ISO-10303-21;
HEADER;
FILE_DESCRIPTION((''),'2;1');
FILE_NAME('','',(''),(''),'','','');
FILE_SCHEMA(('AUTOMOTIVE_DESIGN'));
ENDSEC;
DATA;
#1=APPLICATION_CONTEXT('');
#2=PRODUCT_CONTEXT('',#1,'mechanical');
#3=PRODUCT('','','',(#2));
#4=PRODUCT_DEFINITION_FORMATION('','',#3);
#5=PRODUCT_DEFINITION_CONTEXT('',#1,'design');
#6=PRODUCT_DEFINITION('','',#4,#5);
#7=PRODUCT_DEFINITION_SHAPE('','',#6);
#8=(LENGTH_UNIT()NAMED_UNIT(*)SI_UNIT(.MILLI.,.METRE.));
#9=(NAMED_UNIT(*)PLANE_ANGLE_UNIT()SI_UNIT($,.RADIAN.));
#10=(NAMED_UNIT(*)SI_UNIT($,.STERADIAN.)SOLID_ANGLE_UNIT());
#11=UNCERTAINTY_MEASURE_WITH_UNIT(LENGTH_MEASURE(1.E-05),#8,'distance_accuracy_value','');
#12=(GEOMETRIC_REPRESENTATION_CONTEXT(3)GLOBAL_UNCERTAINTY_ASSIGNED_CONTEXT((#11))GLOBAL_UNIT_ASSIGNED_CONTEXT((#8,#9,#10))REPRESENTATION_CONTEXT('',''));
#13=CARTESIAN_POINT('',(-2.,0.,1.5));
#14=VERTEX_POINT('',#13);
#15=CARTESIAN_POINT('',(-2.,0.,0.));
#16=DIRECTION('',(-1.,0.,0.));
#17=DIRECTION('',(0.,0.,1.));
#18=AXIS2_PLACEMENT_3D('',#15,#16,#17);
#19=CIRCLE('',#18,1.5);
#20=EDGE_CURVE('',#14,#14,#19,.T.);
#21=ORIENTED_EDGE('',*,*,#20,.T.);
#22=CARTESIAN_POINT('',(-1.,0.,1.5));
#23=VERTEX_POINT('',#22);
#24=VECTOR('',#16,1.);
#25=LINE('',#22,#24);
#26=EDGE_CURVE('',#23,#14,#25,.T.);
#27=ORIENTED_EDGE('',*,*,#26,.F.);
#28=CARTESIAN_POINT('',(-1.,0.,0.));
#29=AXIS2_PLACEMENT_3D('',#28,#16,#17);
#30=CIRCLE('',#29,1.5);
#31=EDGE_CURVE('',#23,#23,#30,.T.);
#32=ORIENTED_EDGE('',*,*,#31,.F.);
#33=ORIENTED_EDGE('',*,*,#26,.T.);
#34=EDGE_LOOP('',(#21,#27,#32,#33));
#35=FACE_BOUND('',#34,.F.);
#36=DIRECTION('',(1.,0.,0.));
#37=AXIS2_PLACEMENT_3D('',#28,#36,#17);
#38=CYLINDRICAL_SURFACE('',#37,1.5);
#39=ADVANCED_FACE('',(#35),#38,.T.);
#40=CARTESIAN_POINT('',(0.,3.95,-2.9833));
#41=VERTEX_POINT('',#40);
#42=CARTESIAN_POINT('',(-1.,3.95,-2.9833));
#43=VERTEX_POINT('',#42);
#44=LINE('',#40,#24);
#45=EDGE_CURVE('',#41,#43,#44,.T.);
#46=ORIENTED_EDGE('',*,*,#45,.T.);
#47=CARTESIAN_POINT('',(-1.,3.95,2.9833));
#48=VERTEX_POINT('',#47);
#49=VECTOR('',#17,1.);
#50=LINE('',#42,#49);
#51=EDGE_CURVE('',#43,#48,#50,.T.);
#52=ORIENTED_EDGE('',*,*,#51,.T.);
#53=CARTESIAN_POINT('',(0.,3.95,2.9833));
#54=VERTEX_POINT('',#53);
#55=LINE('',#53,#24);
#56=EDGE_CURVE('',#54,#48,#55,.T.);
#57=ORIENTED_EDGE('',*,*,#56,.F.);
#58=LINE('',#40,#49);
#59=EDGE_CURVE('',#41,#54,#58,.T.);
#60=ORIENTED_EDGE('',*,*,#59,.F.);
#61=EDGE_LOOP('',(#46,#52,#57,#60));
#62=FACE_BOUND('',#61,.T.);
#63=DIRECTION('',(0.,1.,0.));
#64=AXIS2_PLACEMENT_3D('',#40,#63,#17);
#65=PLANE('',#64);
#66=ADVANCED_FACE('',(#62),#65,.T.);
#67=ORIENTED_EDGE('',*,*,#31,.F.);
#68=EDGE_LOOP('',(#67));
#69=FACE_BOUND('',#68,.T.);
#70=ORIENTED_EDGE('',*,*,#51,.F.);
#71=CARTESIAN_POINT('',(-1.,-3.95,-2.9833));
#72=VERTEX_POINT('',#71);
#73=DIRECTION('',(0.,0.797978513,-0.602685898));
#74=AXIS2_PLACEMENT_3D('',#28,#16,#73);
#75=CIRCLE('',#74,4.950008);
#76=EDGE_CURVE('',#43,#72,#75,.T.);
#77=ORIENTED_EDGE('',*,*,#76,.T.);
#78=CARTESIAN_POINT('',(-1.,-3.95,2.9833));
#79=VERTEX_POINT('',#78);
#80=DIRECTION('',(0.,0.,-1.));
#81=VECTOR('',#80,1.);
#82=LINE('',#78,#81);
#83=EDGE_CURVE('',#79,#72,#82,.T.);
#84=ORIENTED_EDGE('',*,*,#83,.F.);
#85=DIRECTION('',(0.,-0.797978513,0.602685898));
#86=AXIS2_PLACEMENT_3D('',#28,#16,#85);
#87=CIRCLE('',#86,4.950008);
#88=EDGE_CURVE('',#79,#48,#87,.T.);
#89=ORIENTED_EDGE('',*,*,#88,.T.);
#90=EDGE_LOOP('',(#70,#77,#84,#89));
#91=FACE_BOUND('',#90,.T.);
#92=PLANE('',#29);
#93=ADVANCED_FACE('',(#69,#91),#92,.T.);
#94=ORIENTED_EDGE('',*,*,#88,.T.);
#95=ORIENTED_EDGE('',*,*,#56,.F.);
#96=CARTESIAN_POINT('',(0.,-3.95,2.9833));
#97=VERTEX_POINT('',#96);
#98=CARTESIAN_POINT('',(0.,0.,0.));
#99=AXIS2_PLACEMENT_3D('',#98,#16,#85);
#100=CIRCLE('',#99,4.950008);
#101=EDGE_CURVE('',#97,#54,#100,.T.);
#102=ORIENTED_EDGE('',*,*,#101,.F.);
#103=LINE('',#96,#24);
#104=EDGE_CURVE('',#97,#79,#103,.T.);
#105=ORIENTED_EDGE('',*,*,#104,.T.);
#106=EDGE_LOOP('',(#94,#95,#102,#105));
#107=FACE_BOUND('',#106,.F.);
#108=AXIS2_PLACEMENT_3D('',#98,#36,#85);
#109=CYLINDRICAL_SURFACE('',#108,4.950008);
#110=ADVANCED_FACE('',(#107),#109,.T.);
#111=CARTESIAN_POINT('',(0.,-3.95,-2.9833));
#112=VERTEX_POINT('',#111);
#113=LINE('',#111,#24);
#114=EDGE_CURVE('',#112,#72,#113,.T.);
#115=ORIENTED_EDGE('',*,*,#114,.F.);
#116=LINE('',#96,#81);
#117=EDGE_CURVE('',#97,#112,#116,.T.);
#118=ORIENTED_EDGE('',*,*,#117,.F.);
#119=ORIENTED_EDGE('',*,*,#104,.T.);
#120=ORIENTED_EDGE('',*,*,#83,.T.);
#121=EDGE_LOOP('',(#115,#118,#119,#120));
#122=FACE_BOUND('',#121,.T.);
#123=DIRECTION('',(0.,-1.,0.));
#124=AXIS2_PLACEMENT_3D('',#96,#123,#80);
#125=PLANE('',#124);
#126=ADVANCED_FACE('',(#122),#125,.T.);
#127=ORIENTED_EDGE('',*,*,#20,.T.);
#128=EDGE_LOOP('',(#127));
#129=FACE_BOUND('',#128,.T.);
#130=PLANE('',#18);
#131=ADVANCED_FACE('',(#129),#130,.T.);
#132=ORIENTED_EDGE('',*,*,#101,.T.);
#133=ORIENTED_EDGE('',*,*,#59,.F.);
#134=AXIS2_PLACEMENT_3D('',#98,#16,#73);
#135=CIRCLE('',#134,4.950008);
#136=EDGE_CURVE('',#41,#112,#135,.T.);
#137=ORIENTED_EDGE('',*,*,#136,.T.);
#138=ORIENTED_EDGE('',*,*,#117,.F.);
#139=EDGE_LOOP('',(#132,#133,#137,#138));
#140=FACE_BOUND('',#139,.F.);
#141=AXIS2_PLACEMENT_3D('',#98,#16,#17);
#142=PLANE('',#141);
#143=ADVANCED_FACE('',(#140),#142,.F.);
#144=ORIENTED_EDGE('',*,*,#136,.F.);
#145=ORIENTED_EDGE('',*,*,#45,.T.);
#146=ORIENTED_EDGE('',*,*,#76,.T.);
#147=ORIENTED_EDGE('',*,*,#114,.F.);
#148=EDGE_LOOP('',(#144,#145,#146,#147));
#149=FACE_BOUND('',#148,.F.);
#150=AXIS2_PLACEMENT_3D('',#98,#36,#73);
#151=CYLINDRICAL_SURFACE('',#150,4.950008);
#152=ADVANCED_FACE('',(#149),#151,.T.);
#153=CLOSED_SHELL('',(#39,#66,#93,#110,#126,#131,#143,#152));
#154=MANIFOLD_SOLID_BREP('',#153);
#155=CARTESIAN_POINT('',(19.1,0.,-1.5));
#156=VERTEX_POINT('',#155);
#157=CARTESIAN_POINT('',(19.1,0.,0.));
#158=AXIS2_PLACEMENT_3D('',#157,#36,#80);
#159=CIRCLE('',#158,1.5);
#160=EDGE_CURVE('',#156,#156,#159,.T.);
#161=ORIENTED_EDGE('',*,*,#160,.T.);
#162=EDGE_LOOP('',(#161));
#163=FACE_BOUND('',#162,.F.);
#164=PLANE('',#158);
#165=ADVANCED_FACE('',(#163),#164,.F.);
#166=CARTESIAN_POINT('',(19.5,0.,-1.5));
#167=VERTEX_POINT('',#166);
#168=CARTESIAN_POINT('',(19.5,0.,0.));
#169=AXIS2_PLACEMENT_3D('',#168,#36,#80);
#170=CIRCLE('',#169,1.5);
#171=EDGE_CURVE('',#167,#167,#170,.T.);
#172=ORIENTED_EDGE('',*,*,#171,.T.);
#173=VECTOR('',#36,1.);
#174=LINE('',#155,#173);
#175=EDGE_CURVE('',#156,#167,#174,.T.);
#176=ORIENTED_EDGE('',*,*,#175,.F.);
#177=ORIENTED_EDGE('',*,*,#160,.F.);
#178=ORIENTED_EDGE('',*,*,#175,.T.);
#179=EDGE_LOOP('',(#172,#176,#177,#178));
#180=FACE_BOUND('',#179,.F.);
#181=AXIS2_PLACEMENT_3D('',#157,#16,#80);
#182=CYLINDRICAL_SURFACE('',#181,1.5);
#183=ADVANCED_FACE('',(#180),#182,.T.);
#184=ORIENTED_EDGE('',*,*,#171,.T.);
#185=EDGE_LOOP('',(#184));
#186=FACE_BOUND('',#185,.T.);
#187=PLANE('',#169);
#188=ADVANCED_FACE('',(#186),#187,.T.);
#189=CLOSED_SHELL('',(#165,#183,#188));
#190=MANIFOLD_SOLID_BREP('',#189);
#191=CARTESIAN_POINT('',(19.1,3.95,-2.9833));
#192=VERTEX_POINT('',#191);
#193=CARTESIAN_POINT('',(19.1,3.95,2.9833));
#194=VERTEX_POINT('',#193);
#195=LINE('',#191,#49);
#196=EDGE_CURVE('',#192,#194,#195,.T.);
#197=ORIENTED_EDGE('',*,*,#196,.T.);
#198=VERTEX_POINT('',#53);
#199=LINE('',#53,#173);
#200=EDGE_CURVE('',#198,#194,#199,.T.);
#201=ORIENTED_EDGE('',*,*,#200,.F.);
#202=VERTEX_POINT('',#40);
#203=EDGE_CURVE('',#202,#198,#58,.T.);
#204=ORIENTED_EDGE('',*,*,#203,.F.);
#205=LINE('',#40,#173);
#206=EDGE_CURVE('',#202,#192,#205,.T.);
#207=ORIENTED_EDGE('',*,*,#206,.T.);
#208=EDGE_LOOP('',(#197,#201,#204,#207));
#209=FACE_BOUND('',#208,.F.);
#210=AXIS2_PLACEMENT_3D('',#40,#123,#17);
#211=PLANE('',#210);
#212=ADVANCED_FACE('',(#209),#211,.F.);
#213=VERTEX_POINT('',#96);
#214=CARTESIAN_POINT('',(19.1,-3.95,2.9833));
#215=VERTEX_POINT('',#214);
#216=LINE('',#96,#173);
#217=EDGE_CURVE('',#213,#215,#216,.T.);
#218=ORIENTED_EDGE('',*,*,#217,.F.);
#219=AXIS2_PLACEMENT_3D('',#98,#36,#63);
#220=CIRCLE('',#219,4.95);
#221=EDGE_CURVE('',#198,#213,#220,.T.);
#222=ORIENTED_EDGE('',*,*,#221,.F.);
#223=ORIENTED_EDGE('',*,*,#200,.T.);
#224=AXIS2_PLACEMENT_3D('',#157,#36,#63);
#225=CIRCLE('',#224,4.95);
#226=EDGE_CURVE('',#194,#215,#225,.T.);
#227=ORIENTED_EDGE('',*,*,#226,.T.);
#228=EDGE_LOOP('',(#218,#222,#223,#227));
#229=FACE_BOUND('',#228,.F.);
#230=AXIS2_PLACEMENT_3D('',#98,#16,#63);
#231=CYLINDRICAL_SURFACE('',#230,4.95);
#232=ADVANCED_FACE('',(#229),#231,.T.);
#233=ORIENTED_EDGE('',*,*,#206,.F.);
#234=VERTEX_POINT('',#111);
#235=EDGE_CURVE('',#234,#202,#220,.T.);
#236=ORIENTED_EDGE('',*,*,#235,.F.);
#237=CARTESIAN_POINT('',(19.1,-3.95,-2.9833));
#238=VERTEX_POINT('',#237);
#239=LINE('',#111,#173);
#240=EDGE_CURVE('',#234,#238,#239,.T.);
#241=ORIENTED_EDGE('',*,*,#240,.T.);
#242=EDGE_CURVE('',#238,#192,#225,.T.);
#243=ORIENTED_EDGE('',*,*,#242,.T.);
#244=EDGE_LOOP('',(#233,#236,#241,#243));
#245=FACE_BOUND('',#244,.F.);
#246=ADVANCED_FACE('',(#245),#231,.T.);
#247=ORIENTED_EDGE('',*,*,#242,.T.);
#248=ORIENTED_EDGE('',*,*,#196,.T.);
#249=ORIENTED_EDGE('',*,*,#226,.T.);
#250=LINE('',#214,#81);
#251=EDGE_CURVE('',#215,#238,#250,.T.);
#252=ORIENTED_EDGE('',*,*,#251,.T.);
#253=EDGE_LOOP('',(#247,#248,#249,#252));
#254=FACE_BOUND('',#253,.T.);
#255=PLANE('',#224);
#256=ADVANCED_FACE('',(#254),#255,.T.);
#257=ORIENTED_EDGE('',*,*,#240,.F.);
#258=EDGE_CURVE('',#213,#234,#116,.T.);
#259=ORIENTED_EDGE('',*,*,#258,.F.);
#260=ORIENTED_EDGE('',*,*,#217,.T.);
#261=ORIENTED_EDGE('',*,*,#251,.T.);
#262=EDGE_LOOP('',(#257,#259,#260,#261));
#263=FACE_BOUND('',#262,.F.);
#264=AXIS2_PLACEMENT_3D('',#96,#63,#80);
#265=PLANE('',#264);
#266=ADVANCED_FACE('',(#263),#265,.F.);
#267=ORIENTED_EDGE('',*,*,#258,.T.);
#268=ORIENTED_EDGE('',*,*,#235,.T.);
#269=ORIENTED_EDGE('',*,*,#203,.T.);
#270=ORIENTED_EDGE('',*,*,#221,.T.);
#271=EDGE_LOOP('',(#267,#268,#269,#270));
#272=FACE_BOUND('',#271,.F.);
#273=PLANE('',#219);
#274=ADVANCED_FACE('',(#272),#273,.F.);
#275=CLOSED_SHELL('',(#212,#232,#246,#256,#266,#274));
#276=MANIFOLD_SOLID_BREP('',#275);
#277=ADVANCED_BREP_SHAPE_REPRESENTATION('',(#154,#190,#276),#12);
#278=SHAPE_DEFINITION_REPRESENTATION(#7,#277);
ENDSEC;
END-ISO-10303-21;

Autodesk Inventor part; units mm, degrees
ref_plane "YZ Plane" through (0, 0, 0) normal (1, 0, 0) x (0, 1, 0)
ref_plane "XZ Plane" through (0, 0, 0) normal (0, 1, 0) x (-1, 0, 0)
ref_plane "XY Plane" through (0, 0, 0) normal (0, 0, 1) x (1, 0, 0)
sketch "Sketch1" plane through (0, 0, 0) normal (1, 0, 0) x (0, 1, 0)
  circle A0 centre (0, 0) radius 4.95
  line L0 (-3.95, -2.9833) -> (3.95, -2.9833)
  line L1 (3.95, -2.9833) -> (3.95, 2.9833)
  line L2 (3.95, 2.9833) -> (-3.95, 2.9833)
  line L3 (-3.95, 2.9833) -> (-3.95, -2.9833)
  line L4 (-3.95, -2.9833) -> (3.95, 2.9833) construction
  line L5 (3.95, -2.9833) -> (-3.95, 2.9833) construction
  dimension "d0" = 9.9
  dimension "d1" = 7.9
extrude "Extrusion1" add sketch "Sketch1" along normal blind 19.1 contours L2 A0 | L1 L0 L3 L2 | A0 L0
sketch "Sketch2" plane through (19.1, 0, 0) normal (1, 0, 0) x (0, 0, -1)
  circle A0 centre (0, 0) radius 1.5
  dimension "d4" = 3
extrude "Extrusion2" add sketch "Sketch2" along normal blind 0.4 separate body
sketch "Sketch3" plane through (0, 0, 0) normal (-1, 0, 0) x (0, 0, 1)
  line L0 (-2.9833, 3.95) -> (2.9833, 3.95) projected
  arc A0 (-2.9833, 3.95) -> (-2.9833, -3.95) centre (0, 0) ccw projected
  line L1 (2.9833, -3.95) -> (-2.9833, -3.95) projected
  arc A1 (2.9833, -3.95) -> (2.9833, 3.95) centre (0, 0) ccw projected
extrude "Extrusion3" add sketch "Sketch3" along normal blind 1 separate body
sketch "Sketch4" plane through (-1, 0, 0) normal (-1, 0, 0) x (0, 0, 1)
  circle A0 centre (0, 0) radius 1.5
  dimension "d9" = 3
extrude "Extrusion4" add sketch "Sketch4" along normal blind 1 bodies 3
properties part number "motor_051115"
